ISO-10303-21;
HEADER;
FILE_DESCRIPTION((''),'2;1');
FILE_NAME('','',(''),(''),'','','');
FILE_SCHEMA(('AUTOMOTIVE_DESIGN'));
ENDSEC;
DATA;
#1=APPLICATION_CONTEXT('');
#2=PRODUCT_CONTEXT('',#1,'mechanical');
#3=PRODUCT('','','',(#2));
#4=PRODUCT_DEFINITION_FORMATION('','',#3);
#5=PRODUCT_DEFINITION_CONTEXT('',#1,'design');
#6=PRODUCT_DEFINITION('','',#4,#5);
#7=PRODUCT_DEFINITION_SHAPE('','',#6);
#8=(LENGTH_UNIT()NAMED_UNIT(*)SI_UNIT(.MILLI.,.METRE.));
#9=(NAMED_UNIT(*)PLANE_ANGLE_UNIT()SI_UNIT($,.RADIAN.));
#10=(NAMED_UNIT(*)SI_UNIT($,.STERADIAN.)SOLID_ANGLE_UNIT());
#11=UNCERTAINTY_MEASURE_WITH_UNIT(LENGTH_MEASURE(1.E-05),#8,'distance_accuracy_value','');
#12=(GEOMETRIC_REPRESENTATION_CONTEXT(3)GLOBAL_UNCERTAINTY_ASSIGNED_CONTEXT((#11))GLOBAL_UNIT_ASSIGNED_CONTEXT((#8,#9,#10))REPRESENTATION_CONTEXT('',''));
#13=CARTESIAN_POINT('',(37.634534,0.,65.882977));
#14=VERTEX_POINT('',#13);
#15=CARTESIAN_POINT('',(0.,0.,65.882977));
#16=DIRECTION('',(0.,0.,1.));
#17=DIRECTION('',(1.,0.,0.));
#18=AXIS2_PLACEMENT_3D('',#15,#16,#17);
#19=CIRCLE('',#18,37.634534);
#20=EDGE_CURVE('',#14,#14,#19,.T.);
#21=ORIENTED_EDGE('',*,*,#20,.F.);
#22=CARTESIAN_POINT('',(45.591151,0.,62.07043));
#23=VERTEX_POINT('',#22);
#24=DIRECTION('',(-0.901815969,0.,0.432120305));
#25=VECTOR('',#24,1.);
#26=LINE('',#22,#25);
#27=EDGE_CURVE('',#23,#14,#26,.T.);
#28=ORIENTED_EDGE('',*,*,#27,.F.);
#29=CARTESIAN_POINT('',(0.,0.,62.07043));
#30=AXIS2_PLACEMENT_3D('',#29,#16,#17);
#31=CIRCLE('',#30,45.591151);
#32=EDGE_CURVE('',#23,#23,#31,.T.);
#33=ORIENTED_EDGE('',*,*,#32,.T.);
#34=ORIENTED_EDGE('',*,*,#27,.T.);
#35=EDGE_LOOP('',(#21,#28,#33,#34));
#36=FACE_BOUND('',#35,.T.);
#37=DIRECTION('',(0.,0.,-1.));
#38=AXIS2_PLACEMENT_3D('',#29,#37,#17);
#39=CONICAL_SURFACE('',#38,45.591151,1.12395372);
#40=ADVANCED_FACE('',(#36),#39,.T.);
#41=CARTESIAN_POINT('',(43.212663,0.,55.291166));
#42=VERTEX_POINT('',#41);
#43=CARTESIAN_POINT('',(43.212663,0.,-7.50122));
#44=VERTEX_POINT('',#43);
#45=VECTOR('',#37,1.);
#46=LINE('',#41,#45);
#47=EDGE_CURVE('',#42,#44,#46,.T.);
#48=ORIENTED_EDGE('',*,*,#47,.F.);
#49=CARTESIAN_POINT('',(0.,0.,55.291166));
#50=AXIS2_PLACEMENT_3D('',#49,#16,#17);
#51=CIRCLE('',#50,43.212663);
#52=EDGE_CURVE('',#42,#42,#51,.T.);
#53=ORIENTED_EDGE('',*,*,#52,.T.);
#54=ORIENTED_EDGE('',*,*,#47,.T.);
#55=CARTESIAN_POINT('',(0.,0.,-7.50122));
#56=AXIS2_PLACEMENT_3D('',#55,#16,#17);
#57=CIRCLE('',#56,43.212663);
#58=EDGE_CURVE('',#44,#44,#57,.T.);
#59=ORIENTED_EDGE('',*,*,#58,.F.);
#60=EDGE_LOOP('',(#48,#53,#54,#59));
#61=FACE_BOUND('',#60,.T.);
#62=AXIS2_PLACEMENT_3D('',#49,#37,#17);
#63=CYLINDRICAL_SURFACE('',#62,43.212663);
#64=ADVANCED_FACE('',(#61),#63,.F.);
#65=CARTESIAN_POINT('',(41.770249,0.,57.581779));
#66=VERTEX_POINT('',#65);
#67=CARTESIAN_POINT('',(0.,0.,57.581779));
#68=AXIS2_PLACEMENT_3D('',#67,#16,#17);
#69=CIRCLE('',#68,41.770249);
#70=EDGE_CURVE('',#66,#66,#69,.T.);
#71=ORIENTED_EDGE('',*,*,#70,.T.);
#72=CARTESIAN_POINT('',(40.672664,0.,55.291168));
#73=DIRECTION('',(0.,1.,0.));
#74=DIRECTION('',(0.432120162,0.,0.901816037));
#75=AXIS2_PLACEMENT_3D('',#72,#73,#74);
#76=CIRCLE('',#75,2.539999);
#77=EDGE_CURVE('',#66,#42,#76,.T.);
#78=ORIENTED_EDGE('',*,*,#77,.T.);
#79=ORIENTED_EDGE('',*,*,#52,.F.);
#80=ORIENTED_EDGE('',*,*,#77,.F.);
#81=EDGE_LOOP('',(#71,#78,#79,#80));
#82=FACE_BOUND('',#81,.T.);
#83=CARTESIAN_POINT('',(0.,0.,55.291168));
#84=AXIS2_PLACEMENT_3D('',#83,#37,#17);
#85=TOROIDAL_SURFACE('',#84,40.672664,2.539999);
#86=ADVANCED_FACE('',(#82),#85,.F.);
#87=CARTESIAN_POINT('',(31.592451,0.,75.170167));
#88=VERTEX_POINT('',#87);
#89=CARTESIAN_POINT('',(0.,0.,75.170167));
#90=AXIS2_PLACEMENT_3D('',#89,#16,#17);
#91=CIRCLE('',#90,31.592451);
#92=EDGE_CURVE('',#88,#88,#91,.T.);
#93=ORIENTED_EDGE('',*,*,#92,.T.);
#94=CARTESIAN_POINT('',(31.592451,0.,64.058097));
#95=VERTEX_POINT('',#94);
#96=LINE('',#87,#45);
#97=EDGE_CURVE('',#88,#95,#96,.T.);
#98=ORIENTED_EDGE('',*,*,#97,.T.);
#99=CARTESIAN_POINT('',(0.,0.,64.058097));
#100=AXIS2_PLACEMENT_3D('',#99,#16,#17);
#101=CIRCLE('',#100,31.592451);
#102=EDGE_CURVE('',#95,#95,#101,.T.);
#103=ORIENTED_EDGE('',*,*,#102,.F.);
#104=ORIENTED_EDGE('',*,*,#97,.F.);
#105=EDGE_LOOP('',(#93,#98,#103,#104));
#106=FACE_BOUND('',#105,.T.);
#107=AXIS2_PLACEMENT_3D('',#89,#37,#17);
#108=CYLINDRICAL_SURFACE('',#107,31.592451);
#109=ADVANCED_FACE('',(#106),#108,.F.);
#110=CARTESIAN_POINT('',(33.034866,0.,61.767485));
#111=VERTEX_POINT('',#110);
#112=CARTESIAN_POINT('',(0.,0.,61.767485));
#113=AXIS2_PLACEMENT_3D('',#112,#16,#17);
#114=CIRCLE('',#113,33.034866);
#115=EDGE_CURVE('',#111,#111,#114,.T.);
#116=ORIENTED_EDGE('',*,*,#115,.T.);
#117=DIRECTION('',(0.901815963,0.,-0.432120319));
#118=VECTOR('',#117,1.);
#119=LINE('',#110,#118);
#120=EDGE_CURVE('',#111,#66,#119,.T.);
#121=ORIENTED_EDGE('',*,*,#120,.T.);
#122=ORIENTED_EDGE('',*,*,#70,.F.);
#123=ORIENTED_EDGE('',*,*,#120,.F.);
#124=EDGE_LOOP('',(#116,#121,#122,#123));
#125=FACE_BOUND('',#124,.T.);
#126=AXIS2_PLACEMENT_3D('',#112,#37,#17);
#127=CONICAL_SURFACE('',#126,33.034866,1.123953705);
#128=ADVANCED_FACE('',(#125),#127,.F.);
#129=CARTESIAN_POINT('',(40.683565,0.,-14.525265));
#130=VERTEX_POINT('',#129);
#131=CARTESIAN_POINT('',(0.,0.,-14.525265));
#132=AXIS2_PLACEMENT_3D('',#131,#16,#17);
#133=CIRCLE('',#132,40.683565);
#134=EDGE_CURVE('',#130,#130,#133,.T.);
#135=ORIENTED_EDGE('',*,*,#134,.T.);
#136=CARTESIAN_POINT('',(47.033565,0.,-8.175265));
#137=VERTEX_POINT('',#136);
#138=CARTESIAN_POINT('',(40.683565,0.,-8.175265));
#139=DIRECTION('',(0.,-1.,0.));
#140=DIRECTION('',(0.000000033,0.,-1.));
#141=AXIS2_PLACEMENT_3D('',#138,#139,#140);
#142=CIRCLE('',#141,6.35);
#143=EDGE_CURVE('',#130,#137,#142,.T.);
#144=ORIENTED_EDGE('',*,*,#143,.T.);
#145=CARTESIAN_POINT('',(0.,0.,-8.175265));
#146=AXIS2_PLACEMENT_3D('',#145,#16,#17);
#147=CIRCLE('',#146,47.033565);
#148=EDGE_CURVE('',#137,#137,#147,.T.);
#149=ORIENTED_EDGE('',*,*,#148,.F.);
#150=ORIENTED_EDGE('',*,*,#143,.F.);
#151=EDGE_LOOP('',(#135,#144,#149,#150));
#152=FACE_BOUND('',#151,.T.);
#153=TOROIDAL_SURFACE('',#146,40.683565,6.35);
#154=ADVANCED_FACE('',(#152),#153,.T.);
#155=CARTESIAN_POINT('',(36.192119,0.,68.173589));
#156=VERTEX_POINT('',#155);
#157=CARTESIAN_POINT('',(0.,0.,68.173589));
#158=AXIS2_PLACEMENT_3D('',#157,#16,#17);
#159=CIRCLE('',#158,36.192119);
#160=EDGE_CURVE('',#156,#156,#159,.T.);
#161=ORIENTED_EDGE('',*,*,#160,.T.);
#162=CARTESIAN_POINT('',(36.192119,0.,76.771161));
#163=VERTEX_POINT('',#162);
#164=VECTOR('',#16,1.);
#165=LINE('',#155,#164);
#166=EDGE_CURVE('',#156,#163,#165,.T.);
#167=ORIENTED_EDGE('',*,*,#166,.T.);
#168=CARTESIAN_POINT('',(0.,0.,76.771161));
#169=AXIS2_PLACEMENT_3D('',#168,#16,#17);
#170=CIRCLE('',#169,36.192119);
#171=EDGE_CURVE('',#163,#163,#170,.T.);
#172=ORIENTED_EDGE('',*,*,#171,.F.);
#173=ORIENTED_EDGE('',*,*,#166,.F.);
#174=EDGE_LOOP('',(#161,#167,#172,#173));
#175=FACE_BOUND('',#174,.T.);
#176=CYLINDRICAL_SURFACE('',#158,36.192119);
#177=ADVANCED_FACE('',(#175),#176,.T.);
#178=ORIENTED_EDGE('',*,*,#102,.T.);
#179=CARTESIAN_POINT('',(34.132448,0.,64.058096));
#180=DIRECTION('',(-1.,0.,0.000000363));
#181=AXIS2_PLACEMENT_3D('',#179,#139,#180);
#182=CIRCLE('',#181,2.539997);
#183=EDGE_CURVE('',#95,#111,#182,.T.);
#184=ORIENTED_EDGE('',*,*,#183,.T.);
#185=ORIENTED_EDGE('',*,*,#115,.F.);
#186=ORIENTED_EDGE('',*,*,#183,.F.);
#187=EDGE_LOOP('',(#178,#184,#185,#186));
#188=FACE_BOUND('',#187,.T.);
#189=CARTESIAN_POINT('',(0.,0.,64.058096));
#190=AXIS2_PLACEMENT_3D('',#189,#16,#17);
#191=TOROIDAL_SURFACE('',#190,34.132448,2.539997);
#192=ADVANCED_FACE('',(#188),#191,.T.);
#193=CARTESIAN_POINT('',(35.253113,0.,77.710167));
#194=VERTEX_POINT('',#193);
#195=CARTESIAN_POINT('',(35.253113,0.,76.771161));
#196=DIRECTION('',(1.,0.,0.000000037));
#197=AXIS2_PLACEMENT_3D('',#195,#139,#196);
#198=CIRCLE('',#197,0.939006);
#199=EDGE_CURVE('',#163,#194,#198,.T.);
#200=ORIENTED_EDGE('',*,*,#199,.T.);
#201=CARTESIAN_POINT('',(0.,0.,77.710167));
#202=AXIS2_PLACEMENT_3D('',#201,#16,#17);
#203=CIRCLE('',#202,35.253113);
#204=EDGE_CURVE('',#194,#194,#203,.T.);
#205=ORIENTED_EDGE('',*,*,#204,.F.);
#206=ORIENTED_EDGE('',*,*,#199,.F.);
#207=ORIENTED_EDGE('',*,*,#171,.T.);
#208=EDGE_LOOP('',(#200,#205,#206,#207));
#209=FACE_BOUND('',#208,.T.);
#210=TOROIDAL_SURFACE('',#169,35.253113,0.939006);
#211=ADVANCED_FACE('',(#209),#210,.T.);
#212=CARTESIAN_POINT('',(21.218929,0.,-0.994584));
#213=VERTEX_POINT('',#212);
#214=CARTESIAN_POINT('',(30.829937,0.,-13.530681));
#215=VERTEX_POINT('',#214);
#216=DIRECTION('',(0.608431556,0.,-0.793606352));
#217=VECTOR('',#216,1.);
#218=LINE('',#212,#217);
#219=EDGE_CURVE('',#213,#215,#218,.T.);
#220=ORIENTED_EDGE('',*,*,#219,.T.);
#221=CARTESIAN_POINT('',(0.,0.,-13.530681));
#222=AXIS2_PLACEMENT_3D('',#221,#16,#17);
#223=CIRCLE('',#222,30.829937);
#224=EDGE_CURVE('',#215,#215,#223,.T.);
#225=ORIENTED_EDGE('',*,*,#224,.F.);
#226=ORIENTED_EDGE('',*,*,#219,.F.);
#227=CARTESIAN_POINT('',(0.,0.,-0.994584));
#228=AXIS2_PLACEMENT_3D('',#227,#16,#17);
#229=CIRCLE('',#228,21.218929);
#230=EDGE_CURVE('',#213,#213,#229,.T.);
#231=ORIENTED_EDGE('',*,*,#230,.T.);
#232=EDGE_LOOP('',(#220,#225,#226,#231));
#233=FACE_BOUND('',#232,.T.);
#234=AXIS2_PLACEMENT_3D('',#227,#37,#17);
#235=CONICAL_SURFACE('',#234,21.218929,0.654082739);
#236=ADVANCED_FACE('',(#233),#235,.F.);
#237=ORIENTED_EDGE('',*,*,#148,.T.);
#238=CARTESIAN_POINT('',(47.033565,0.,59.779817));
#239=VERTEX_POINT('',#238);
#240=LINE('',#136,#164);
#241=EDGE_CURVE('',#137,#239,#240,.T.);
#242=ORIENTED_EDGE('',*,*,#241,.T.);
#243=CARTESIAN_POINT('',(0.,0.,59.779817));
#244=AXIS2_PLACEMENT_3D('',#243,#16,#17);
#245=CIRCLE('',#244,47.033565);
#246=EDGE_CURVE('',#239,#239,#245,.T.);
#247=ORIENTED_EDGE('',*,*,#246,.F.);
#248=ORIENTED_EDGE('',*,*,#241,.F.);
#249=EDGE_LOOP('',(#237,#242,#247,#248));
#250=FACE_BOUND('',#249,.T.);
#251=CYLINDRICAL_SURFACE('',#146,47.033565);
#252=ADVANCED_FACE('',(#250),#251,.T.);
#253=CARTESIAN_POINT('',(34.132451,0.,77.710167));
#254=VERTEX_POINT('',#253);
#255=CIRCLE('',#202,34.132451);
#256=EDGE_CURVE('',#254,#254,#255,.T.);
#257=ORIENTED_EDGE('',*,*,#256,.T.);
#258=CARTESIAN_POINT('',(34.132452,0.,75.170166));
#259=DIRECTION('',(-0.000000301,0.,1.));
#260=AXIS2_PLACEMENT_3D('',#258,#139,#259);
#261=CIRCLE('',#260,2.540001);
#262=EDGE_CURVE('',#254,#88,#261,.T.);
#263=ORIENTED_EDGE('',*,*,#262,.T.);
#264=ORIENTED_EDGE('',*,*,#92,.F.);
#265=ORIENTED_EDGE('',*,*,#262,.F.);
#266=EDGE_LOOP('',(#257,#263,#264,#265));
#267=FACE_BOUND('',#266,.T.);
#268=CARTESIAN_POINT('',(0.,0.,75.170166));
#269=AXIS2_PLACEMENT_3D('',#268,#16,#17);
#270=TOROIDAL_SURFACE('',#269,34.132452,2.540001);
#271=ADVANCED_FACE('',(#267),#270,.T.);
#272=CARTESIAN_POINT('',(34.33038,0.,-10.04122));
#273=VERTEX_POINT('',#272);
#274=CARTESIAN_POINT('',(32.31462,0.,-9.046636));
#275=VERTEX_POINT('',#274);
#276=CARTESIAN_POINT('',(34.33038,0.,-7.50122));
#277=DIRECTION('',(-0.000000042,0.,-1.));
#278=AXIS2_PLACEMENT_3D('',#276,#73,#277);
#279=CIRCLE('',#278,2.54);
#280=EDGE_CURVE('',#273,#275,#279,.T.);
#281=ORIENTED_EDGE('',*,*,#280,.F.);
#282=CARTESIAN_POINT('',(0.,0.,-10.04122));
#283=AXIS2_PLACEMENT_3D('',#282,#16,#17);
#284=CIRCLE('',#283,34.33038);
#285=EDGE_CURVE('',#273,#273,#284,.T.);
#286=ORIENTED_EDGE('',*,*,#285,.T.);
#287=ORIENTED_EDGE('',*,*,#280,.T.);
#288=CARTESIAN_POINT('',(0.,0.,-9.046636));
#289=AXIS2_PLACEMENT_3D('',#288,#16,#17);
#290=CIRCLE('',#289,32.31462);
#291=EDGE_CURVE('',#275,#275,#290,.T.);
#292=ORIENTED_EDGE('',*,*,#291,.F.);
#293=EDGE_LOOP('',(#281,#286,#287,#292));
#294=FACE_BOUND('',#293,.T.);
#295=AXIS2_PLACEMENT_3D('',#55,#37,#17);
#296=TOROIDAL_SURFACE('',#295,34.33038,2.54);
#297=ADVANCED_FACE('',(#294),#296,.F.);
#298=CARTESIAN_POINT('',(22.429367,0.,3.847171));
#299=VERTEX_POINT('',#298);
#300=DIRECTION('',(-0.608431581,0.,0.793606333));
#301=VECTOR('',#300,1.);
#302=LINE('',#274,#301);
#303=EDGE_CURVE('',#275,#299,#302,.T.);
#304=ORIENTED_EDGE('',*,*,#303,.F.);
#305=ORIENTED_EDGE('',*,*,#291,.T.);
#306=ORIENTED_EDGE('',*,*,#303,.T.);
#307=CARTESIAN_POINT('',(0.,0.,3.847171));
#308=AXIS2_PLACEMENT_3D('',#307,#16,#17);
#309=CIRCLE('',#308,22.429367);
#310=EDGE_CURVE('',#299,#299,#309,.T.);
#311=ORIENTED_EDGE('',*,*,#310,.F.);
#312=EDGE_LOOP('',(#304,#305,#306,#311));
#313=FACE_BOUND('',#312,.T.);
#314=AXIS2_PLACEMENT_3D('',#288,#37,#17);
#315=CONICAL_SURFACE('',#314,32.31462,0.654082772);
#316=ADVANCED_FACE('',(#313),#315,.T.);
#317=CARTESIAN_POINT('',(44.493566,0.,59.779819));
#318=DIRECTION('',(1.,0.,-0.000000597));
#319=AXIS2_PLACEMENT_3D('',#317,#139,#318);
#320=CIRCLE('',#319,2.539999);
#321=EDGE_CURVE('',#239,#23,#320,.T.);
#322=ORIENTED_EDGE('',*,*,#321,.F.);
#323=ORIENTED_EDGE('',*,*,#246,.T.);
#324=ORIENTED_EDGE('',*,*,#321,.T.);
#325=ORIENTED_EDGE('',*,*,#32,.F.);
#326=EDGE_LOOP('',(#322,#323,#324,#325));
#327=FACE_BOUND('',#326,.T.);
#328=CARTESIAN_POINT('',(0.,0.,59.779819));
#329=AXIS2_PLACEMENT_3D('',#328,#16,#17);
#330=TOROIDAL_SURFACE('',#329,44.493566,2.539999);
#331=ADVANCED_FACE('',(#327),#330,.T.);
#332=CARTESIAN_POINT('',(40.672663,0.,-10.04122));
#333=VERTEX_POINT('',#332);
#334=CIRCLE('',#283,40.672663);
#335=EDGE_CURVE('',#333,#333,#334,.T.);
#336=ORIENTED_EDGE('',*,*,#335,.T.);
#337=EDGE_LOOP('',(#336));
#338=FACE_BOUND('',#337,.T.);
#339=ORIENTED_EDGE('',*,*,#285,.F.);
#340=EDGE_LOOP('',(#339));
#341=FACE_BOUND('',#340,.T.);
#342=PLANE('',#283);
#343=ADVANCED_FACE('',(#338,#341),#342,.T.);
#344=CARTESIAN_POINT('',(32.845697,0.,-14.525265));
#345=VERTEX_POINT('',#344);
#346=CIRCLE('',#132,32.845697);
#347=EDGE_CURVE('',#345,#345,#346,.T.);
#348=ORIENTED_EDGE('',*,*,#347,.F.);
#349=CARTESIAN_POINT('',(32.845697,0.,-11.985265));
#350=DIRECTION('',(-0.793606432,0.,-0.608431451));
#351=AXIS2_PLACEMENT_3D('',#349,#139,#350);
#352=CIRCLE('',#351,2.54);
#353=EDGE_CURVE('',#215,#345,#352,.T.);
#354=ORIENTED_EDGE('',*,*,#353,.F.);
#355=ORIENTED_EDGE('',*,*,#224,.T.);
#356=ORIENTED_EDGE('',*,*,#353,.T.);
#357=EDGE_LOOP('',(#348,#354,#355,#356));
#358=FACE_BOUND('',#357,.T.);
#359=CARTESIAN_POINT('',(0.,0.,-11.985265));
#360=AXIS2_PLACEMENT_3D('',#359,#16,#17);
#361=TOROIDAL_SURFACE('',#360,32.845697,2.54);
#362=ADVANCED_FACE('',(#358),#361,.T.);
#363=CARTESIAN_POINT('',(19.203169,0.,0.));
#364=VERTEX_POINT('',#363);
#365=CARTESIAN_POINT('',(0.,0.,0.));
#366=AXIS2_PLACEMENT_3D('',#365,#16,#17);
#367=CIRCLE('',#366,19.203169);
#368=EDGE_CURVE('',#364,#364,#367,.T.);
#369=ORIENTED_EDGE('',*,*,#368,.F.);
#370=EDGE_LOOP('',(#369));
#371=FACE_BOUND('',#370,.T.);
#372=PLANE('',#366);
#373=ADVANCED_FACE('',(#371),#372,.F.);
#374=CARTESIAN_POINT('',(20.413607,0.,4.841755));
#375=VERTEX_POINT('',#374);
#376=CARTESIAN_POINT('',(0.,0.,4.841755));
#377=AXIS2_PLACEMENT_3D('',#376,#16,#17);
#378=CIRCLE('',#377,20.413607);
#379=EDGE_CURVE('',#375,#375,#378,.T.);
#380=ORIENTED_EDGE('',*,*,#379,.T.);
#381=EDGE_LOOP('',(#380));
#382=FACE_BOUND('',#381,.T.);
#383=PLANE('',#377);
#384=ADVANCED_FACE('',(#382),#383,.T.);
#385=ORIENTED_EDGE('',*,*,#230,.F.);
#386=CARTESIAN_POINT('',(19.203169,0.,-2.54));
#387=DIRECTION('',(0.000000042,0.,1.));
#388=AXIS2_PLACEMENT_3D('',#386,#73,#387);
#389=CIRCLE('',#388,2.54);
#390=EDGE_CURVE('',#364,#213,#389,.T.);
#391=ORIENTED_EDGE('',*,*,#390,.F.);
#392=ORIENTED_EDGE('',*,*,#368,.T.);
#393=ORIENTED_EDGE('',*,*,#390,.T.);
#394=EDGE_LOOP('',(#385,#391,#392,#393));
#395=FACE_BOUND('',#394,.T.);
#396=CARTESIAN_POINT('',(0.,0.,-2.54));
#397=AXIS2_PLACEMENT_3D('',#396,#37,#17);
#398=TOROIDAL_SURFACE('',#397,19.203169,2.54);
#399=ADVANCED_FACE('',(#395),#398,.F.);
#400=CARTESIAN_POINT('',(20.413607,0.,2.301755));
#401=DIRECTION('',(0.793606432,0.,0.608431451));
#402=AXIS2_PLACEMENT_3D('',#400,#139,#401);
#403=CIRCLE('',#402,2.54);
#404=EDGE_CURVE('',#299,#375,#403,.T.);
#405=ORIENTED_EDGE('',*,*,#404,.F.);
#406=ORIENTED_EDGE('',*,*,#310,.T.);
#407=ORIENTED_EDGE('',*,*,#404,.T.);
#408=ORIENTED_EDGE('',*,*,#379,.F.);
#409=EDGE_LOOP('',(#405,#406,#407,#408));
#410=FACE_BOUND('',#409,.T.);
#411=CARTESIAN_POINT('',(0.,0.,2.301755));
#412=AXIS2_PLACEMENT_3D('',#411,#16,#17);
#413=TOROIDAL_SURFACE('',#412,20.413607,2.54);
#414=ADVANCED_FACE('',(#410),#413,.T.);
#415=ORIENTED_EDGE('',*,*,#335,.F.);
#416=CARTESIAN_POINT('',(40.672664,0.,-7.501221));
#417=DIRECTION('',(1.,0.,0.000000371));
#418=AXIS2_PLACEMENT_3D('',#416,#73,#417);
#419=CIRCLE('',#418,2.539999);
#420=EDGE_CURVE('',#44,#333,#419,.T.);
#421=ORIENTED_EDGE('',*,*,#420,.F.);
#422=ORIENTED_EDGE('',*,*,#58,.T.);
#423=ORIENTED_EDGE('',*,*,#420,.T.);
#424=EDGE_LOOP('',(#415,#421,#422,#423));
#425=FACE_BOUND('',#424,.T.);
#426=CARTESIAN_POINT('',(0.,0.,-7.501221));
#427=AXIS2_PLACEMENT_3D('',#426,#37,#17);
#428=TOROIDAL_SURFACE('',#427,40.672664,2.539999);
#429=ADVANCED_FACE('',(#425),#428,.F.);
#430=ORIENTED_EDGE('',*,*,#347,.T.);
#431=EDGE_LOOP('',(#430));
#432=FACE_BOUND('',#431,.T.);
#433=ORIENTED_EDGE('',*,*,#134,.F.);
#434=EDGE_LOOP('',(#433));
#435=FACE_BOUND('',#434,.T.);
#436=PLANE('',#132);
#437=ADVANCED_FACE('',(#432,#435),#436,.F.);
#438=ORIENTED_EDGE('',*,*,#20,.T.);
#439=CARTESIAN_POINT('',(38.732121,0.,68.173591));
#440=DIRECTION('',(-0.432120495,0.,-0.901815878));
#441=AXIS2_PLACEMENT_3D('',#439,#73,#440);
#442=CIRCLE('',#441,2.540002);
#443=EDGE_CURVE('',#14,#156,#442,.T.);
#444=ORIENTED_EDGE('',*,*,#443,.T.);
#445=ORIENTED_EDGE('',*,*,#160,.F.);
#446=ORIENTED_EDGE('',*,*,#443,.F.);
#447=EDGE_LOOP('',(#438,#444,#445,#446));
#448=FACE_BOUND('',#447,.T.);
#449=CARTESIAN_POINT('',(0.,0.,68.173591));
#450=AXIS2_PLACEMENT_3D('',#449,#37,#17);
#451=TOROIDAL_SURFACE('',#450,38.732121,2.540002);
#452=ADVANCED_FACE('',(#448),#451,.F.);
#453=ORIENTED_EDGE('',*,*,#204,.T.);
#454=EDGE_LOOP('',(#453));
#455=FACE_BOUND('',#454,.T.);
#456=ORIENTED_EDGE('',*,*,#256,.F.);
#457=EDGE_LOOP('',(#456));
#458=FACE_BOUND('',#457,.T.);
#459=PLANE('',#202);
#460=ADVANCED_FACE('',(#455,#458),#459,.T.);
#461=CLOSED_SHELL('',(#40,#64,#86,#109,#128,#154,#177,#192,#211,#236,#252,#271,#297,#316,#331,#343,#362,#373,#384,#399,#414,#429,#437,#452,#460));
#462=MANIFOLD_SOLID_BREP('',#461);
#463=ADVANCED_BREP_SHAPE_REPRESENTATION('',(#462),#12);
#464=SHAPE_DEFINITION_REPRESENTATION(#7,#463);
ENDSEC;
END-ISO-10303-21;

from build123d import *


with BuildPart() as f1:
    # F0 (on Front) → F1 (revolve)
    with BuildSketch(Plane.XZ):
        with BuildLine():
            Line((0, 4.841755), (0, 0))
            Line((0, 0), (19.203169, 0))
            ThreePointArc((19.203169, 0), (20.327056, -0.262177), (21.218929, -0.994584))
            Line((21.218929, -0.994584), (30.829937, -13.530681))
            ThreePointArc((30.829937, -13.530681), (31.72181, -14.263088), (32.845697, -14.525265))
            Line((32.845697, -14.525265), (40.683565, -14.525265))
            ThreePointArc((40.683565, -14.525265), (45.173693, -12.665393), (47.033565, -8.175265))
            Line((47.033565, -8.175265), (47.033565, 59.779817))
            ThreePointArc((47.033565, 59.779817), (46.642922, 61.133282), (45.591151, 62.07043))
            Line((45.591151, 62.07043), (37.634534, 65.882977))
            ThreePointArc((37.634534, 65.882977), (36.582763, 66.820125), (36.192119, 68.173589))
            Line((36.192119, 68.173589), (36.192119, 76.771161))
            ThreePointArc((36.192119, 76.771161), (35.917091, 77.435138), (35.253113, 77.710167))
            Line((35.253113, 77.710167), (34.132451, 77.710167))
            ThreePointArc((34.132451, 77.710167), (32.3364, 76.966218), (31.592451, 75.170167))
            Line((31.592451, 75.170167), (31.592451, 64.058097))
            ThreePointArc((31.592451, 64.058097), (31.983094, 62.704633), (33.034866, 61.767485))
            Line((33.034866, 61.767485), (41.770249, 57.581779))
            ThreePointArc((41.770249, 57.581779), (42.82202, 56.644631), (43.212663, 55.291166))
            Line((43.212663, 55.291166), (43.212663, -7.50122))
            ThreePointArc((43.212663, -7.50122), (42.468715, -9.297271), (40.672663, -10.04122))
            Line((40.672663, -10.04122), (34.33038, -10.04122))
            ThreePointArc((34.33038, -10.04122), (33.206493, -9.779043), (32.31462, -9.046636))
            Line((32.31462, -9.046636), (22.429367, 3.847171))
            ThreePointArc((22.429367, 3.847171), (21.537494, 4.579578), (20.413607, 4.841755))
            Line((20.413607, 4.841755), (0, 4.841755))
        make_face()
    revolve(axis=Axis((0, 0, 34.981679), (0, 0, 1)))


solid = f1.part
